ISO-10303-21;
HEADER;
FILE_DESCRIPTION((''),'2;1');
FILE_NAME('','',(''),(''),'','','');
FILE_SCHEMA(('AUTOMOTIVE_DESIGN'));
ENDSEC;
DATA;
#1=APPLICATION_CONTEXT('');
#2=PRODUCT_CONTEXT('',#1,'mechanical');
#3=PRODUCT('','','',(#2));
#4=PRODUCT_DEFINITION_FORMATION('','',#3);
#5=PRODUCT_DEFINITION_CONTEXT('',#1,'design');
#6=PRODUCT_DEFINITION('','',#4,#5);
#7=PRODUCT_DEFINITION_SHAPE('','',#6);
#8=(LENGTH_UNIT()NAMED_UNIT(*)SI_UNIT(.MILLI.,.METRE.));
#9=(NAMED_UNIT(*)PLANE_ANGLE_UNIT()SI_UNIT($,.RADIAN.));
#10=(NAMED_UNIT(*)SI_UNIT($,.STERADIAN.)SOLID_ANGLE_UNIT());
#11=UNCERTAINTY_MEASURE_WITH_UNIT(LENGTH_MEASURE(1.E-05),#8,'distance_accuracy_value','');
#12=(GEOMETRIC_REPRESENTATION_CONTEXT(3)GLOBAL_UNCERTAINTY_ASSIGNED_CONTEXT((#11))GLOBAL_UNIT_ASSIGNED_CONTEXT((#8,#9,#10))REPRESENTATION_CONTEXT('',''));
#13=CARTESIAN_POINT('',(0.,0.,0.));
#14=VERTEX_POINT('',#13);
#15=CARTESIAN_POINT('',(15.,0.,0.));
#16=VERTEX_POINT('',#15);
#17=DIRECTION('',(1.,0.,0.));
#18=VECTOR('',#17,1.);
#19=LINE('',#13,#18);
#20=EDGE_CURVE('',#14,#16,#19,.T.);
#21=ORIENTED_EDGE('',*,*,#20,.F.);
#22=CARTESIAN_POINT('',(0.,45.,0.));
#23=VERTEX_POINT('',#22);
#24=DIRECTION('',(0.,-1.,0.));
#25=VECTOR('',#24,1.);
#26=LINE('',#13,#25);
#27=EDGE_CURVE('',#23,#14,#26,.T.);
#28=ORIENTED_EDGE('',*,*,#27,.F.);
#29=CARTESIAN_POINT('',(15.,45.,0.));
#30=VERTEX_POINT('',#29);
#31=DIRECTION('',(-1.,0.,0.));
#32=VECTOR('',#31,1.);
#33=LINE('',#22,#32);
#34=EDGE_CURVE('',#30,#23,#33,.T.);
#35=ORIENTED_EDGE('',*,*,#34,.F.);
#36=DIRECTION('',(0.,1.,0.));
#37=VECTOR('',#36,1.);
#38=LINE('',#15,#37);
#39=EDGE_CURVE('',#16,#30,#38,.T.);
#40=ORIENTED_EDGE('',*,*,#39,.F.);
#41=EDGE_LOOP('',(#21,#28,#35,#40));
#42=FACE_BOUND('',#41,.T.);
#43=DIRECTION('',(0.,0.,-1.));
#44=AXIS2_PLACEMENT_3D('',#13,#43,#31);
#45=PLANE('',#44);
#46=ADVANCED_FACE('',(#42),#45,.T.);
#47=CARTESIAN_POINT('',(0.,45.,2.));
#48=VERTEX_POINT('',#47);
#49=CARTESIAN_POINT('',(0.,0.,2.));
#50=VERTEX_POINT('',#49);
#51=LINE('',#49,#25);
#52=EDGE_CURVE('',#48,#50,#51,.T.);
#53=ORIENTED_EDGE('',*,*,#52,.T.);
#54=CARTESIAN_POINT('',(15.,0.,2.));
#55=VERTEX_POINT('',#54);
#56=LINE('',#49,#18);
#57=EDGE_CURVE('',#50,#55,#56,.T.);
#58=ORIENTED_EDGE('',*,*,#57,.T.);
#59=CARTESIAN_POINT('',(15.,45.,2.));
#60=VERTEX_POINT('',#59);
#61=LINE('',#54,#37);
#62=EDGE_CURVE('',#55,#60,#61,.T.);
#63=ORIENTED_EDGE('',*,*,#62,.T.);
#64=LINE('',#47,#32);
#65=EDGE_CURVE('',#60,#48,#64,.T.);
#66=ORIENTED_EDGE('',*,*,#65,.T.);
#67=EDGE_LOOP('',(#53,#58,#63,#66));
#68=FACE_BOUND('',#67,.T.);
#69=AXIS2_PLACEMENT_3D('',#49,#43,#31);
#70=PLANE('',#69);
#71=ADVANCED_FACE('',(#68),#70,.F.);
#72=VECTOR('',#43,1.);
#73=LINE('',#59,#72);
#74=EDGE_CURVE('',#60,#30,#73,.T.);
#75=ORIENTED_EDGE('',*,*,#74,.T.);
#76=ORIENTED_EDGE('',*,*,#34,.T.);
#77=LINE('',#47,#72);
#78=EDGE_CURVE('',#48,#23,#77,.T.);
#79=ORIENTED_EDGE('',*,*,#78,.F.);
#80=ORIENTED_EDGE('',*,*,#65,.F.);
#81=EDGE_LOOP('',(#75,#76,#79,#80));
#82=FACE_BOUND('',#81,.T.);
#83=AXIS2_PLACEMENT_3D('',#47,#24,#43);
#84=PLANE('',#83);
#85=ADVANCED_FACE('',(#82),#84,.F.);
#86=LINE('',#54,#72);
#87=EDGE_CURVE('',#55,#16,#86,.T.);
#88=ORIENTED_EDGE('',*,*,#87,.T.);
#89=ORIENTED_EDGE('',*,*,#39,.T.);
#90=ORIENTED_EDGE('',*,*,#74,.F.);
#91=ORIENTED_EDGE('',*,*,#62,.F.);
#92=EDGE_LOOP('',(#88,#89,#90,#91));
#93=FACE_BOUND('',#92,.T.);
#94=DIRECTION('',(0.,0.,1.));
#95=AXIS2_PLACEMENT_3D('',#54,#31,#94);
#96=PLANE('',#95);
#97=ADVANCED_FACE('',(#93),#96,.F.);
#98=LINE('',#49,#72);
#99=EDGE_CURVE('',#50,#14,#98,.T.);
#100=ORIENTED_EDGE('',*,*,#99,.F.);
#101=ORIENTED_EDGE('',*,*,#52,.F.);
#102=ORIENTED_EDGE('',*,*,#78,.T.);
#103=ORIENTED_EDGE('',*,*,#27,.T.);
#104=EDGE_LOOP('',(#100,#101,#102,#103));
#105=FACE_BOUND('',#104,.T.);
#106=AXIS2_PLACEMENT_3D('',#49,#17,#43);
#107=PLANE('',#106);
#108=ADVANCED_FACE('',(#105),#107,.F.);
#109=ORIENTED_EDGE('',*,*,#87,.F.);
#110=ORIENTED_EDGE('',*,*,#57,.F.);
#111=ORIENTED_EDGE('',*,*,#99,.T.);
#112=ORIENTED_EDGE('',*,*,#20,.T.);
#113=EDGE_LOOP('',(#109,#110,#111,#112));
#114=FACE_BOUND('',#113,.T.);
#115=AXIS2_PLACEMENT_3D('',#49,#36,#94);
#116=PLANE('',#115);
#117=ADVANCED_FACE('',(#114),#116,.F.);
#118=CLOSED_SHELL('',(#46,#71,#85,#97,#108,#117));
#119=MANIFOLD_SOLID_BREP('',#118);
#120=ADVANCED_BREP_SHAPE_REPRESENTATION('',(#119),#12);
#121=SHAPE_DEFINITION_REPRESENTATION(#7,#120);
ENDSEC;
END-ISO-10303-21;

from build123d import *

# Parameters (mm, degrees)
SZKIC1_W                    = 15
SZKIC1_H                    = 45
DODANIE_WYCI_GNI_CIE1_DEPTH = 2


with BuildPart() as part:
    # Szkic1 → Dodanie-wyciągnięcie1 (new body)
    with BuildSketch(Plane.XY):
        with Locations((7.5, 22.5)):
            Rectangle(SZKIC1_W, SZKIC1_H)
    extrude(amount=DODANIE_WYCI_GNI_CIE1_DEPTH)


solid = part.part
